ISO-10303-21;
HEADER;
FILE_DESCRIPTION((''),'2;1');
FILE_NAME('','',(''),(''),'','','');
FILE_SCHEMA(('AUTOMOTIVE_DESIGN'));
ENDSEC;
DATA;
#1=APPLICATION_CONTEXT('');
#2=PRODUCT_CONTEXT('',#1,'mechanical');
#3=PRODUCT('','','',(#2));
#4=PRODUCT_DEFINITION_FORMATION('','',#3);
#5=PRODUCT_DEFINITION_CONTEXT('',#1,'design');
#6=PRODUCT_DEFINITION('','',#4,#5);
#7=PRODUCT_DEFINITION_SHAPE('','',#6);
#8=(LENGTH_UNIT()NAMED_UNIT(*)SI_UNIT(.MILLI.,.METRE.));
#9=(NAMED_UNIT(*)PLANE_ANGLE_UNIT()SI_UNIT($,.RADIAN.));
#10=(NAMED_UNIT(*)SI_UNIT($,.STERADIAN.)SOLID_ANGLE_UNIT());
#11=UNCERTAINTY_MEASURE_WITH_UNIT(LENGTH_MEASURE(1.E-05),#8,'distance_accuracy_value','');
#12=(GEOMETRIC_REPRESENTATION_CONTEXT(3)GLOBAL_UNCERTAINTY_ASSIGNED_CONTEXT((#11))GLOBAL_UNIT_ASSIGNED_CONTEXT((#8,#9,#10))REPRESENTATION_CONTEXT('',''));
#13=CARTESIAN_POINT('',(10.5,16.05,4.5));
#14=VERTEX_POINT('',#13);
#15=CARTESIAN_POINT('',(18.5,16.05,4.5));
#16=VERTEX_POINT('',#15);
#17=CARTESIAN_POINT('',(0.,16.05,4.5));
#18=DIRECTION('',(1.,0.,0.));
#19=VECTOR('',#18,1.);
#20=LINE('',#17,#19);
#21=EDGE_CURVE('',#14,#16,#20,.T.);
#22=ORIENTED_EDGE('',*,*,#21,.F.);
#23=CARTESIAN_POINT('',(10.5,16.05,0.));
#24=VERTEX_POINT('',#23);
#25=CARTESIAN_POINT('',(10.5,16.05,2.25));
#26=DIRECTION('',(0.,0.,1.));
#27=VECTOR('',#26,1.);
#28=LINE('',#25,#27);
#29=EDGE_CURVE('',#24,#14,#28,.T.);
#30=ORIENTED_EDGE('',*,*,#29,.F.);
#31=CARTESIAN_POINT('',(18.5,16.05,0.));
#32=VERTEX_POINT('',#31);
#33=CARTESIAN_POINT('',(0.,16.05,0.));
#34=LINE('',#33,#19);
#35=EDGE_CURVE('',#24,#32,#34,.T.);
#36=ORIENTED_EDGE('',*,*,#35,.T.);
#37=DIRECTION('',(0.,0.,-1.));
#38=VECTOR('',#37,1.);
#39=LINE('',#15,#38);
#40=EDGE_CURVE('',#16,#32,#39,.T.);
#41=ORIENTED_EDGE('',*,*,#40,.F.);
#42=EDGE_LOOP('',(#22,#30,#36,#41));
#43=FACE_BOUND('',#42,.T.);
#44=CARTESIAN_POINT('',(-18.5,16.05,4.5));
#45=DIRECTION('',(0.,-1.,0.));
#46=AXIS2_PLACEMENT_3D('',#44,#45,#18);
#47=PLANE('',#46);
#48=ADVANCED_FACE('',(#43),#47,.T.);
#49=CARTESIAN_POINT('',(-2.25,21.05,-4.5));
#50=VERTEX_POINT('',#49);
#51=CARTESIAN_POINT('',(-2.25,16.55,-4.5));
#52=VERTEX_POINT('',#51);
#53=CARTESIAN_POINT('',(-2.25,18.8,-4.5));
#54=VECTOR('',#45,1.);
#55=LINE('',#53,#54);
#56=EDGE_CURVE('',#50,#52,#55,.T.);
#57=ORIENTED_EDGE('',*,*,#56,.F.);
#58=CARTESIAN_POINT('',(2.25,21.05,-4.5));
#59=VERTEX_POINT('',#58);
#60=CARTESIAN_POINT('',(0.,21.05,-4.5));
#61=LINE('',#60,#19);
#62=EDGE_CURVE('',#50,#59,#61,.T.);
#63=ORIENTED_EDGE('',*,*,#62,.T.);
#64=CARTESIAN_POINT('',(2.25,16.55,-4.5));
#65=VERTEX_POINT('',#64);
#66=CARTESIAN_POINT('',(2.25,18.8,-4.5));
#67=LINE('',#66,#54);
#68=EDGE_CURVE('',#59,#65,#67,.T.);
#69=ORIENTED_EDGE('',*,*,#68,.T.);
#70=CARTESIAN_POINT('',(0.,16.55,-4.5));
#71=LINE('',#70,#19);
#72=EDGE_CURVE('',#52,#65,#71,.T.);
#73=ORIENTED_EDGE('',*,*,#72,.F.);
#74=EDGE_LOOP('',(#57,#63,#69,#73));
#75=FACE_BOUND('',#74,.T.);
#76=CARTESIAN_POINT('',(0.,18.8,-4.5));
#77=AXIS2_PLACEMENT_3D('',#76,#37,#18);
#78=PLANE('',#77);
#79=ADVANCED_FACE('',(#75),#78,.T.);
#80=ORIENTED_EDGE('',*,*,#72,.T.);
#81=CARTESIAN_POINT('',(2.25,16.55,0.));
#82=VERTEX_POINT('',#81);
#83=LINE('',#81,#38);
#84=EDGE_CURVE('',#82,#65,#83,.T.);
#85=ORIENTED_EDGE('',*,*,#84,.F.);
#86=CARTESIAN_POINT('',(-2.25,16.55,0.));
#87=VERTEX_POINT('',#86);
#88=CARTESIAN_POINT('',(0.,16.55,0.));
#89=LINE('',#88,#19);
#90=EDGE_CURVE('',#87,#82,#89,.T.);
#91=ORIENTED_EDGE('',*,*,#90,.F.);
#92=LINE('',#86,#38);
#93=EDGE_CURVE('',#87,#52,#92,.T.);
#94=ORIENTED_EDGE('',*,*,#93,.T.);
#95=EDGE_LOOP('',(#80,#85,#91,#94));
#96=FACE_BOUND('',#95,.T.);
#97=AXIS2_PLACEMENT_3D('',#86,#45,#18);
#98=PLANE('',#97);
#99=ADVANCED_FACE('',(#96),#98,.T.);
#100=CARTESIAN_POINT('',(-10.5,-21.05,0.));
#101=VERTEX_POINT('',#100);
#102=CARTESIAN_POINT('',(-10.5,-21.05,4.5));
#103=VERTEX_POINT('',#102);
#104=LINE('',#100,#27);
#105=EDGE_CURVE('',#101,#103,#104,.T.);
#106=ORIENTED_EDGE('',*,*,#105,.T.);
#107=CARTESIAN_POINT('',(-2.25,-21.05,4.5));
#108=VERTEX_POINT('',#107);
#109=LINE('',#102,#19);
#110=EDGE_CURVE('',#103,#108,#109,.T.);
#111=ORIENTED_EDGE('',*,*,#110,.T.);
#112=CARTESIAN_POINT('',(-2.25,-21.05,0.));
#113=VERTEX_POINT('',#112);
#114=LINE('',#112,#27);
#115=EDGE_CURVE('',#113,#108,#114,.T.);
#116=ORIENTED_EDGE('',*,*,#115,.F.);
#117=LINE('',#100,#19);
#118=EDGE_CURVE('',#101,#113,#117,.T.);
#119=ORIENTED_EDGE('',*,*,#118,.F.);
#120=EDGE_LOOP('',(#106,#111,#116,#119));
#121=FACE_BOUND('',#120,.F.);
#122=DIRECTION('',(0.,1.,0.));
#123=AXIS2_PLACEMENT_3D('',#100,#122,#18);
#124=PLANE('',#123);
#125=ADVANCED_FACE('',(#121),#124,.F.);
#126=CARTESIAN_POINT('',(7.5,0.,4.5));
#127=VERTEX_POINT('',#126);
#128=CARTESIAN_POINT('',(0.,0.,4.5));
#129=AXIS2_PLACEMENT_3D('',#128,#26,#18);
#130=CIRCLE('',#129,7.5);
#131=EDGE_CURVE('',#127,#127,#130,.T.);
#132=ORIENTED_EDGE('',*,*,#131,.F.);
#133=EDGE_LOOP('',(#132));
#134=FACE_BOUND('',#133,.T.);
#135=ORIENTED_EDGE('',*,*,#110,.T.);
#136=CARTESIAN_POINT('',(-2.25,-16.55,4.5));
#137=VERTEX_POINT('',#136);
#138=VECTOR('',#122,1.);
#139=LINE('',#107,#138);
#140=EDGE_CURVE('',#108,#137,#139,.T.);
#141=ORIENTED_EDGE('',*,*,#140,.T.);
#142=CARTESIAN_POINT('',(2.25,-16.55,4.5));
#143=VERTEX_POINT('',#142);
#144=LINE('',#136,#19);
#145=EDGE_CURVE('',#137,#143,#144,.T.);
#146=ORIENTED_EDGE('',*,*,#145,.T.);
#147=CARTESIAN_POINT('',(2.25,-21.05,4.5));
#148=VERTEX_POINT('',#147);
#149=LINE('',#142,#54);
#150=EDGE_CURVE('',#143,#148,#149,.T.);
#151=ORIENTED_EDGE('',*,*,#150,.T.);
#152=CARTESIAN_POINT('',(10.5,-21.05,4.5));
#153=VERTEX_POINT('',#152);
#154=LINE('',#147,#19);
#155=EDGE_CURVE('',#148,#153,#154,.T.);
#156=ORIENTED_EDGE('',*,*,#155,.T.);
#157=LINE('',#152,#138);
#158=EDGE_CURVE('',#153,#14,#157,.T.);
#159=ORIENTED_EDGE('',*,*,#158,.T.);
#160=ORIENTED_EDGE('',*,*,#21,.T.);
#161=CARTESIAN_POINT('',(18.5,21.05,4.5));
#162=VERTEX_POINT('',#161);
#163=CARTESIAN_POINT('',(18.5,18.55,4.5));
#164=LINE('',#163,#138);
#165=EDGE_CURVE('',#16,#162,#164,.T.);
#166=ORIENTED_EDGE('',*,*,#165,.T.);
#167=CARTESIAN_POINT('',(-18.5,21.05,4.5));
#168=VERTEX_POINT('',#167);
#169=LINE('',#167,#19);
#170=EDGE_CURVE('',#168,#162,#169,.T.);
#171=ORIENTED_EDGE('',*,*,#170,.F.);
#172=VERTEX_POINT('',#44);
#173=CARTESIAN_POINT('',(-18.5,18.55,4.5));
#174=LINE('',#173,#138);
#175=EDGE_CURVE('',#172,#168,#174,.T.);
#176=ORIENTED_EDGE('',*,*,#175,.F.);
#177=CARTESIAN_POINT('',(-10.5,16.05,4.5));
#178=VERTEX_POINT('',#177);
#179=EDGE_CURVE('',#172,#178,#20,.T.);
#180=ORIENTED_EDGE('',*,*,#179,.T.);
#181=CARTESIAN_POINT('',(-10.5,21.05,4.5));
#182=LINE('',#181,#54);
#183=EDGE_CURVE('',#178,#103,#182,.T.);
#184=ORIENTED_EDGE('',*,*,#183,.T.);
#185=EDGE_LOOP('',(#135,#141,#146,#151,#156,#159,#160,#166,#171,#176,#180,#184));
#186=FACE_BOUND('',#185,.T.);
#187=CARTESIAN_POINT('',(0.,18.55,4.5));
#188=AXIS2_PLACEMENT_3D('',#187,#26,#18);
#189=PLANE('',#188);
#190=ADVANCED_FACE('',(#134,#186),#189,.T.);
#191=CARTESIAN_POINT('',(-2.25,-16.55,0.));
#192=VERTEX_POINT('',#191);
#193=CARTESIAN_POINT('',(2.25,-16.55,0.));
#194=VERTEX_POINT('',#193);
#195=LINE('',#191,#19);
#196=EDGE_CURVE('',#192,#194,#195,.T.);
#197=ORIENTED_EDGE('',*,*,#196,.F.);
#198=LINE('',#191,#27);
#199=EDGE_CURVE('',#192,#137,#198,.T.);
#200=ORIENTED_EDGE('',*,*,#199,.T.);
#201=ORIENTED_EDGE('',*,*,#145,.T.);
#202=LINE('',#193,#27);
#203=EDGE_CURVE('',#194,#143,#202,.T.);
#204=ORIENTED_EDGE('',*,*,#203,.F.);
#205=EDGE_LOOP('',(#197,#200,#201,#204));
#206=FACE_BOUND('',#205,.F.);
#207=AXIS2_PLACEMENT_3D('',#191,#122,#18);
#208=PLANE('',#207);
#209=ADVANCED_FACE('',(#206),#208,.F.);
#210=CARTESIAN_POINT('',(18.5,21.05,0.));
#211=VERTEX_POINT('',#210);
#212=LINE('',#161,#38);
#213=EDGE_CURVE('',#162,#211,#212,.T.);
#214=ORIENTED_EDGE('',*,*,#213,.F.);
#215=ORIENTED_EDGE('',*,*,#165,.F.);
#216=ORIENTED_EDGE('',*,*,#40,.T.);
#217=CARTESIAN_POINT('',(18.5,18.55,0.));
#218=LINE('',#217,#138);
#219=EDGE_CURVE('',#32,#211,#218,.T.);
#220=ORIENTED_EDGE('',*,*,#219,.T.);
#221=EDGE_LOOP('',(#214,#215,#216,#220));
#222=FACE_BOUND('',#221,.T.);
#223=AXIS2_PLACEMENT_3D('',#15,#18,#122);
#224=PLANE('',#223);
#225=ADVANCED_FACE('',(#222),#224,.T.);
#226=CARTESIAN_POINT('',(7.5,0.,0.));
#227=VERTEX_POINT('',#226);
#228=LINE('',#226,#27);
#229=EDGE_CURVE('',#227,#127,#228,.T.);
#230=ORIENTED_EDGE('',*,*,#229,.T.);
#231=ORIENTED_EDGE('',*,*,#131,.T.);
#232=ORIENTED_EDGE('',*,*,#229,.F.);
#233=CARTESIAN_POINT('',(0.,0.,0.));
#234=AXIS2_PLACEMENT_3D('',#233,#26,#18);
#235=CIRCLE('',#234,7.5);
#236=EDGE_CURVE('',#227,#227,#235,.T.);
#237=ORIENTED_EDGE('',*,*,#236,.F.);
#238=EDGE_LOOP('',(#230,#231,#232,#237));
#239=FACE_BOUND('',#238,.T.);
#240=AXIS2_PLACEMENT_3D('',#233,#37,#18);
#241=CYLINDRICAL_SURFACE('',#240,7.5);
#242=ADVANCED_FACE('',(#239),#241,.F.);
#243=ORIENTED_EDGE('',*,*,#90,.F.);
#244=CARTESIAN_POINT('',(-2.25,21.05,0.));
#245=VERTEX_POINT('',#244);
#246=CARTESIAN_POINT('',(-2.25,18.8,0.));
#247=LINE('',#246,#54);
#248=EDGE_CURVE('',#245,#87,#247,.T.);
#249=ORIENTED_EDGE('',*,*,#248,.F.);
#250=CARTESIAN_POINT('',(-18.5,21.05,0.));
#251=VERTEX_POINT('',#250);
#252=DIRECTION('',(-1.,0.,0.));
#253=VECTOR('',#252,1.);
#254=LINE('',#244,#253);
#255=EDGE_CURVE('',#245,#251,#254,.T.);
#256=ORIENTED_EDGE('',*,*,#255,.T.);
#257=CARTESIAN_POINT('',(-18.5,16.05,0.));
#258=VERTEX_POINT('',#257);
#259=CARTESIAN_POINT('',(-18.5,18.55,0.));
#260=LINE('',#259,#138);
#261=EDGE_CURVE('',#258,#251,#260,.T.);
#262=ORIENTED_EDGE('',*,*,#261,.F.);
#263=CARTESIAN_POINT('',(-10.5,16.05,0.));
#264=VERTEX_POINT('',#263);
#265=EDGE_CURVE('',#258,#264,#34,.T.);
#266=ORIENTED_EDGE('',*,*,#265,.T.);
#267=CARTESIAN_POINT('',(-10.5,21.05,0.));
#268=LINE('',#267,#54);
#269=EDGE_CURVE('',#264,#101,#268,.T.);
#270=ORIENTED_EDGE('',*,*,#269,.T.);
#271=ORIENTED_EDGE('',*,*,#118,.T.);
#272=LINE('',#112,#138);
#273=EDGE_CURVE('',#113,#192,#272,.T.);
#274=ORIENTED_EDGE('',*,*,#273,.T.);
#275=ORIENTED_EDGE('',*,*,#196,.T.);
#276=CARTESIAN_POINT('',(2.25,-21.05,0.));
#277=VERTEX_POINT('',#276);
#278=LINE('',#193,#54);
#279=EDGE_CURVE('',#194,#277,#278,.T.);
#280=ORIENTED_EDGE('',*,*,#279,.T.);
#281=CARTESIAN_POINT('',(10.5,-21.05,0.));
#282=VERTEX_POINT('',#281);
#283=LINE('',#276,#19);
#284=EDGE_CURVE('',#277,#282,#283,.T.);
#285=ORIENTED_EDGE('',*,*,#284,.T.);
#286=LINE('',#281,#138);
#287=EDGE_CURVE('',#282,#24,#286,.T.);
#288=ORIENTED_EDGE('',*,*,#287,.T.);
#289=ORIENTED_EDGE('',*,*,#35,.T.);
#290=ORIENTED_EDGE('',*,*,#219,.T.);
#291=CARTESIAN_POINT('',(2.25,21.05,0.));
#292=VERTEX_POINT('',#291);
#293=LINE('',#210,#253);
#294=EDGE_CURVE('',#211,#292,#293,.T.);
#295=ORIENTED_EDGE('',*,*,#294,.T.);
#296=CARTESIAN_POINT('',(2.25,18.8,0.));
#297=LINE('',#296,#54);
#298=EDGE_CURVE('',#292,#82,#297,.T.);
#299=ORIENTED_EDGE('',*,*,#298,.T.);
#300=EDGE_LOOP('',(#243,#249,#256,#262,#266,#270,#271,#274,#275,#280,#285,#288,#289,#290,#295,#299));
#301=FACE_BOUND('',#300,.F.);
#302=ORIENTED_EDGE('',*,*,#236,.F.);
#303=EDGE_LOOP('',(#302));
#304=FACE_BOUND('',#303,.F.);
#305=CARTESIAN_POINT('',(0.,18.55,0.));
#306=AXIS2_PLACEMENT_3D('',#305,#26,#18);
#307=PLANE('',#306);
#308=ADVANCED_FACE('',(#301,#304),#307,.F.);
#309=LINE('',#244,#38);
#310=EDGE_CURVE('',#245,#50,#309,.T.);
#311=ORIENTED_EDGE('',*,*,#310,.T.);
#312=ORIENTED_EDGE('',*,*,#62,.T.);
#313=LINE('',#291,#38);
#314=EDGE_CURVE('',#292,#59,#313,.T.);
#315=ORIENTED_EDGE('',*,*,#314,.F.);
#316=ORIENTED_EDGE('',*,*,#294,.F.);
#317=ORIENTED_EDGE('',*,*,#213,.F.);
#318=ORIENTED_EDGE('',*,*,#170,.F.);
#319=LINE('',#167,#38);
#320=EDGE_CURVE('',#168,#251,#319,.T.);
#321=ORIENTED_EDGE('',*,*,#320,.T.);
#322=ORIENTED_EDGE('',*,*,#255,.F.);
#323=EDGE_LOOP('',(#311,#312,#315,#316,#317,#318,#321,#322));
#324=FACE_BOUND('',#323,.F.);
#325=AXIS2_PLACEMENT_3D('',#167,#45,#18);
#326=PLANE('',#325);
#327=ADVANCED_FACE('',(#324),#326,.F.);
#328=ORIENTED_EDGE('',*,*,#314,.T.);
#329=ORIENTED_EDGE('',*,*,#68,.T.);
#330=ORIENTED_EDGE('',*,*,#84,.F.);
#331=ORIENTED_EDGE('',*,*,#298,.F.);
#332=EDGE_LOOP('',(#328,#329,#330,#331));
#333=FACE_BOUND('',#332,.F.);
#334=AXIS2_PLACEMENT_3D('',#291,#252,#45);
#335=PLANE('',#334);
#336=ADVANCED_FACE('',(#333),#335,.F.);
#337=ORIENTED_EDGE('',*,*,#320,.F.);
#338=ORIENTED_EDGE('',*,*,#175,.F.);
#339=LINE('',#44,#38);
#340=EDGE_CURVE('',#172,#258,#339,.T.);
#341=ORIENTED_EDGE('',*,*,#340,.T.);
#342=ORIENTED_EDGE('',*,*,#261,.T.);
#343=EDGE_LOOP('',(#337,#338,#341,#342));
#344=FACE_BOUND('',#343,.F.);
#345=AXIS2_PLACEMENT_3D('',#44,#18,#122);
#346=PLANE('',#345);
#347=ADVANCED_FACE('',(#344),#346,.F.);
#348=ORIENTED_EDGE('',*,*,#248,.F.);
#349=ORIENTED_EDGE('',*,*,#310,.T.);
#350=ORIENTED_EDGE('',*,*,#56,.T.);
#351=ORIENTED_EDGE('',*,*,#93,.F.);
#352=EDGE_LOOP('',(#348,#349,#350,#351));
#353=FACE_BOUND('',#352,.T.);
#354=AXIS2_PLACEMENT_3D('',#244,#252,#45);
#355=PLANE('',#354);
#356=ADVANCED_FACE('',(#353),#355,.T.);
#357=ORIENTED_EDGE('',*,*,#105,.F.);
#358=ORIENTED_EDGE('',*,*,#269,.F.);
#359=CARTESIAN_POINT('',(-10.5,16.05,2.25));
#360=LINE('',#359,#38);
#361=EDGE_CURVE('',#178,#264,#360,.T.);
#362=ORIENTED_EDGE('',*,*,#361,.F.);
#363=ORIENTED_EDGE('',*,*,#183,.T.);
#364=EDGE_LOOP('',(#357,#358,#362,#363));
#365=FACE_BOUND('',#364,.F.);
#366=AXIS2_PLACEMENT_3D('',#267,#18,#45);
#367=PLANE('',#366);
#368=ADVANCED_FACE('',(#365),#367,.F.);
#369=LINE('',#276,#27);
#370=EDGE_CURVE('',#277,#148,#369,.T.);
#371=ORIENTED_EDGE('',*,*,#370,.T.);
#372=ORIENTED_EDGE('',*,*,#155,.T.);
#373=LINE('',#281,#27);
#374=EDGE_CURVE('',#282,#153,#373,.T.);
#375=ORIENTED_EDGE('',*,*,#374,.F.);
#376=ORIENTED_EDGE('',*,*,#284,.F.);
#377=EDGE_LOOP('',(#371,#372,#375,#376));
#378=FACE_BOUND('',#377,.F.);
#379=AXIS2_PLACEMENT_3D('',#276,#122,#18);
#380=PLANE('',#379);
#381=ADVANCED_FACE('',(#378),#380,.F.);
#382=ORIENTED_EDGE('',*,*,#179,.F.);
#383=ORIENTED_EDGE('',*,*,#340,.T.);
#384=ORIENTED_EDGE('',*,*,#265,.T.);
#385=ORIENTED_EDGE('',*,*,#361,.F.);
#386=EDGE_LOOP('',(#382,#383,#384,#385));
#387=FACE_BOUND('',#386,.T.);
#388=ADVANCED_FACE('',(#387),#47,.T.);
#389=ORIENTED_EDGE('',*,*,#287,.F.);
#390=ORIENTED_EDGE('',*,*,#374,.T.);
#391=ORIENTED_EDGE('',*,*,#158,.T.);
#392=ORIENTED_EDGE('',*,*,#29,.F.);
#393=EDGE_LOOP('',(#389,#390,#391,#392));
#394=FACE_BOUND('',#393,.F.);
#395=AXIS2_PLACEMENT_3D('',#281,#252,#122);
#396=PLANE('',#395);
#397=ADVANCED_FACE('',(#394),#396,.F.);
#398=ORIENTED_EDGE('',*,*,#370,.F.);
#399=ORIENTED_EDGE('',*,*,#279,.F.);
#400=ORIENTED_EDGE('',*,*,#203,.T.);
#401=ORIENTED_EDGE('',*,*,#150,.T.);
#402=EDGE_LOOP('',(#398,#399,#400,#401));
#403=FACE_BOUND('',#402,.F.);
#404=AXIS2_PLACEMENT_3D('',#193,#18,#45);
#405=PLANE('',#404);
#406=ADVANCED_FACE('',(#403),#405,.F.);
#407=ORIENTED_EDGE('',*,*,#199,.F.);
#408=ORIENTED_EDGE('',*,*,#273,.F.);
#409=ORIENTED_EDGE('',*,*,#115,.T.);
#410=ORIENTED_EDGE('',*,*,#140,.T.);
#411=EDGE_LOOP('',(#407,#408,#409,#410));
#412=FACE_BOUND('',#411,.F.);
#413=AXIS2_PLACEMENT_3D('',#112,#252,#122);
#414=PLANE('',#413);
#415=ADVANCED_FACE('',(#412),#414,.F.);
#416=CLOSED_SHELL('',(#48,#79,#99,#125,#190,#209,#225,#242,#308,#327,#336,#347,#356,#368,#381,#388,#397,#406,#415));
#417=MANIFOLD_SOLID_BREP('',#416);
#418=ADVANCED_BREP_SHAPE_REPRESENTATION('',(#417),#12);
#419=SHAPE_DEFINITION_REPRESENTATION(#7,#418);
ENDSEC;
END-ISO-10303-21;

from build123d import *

# Parameters (mm, degrees)
F0_R     = 7.5
F1_DEPTH = 4.5
F2_W     = 4.5
F2_H     = 4.5
F3_DEPTH = 4.5
F4_W     = 37
F4_H     = 5
F5_DEPTH = 4.5


with BuildPart() as f1:
    # F0 (on Top) → F1 (new body)
    with BuildSketch(Plane.XY):
        Polygon((10.5, 21.05), (-10.5, 21.05), (-10.5, -21.05), (-2.25, -21.05), (-2.25, -16.55), (2.25, -16.55), (2.25, -21.05), (10.5, -21.05), align=None)
        Circle(F0_R, mode=Mode.SUBTRACT)
    extrude(amount=F1_DEPTH)

    # F2 (on face) → F3 (join)
    with BuildSketch(Plane(origin=(0, 0, 0), x_dir=(1, 0, 0), z_dir=(0, 0, -1))):
        with Locations((0, -18.8)):
            Rectangle(F2_W, F2_H)
    extrude(amount=F3_DEPTH)

    # F4 (on face) → F5 (join)
    with BuildSketch(Plane.XY.offset(4.5)):
        with Locations((0, 18.55)):
            Rectangle(F4_W, F4_H)
    extrude(amount=-F5_DEPTH)


solid = f1.part
